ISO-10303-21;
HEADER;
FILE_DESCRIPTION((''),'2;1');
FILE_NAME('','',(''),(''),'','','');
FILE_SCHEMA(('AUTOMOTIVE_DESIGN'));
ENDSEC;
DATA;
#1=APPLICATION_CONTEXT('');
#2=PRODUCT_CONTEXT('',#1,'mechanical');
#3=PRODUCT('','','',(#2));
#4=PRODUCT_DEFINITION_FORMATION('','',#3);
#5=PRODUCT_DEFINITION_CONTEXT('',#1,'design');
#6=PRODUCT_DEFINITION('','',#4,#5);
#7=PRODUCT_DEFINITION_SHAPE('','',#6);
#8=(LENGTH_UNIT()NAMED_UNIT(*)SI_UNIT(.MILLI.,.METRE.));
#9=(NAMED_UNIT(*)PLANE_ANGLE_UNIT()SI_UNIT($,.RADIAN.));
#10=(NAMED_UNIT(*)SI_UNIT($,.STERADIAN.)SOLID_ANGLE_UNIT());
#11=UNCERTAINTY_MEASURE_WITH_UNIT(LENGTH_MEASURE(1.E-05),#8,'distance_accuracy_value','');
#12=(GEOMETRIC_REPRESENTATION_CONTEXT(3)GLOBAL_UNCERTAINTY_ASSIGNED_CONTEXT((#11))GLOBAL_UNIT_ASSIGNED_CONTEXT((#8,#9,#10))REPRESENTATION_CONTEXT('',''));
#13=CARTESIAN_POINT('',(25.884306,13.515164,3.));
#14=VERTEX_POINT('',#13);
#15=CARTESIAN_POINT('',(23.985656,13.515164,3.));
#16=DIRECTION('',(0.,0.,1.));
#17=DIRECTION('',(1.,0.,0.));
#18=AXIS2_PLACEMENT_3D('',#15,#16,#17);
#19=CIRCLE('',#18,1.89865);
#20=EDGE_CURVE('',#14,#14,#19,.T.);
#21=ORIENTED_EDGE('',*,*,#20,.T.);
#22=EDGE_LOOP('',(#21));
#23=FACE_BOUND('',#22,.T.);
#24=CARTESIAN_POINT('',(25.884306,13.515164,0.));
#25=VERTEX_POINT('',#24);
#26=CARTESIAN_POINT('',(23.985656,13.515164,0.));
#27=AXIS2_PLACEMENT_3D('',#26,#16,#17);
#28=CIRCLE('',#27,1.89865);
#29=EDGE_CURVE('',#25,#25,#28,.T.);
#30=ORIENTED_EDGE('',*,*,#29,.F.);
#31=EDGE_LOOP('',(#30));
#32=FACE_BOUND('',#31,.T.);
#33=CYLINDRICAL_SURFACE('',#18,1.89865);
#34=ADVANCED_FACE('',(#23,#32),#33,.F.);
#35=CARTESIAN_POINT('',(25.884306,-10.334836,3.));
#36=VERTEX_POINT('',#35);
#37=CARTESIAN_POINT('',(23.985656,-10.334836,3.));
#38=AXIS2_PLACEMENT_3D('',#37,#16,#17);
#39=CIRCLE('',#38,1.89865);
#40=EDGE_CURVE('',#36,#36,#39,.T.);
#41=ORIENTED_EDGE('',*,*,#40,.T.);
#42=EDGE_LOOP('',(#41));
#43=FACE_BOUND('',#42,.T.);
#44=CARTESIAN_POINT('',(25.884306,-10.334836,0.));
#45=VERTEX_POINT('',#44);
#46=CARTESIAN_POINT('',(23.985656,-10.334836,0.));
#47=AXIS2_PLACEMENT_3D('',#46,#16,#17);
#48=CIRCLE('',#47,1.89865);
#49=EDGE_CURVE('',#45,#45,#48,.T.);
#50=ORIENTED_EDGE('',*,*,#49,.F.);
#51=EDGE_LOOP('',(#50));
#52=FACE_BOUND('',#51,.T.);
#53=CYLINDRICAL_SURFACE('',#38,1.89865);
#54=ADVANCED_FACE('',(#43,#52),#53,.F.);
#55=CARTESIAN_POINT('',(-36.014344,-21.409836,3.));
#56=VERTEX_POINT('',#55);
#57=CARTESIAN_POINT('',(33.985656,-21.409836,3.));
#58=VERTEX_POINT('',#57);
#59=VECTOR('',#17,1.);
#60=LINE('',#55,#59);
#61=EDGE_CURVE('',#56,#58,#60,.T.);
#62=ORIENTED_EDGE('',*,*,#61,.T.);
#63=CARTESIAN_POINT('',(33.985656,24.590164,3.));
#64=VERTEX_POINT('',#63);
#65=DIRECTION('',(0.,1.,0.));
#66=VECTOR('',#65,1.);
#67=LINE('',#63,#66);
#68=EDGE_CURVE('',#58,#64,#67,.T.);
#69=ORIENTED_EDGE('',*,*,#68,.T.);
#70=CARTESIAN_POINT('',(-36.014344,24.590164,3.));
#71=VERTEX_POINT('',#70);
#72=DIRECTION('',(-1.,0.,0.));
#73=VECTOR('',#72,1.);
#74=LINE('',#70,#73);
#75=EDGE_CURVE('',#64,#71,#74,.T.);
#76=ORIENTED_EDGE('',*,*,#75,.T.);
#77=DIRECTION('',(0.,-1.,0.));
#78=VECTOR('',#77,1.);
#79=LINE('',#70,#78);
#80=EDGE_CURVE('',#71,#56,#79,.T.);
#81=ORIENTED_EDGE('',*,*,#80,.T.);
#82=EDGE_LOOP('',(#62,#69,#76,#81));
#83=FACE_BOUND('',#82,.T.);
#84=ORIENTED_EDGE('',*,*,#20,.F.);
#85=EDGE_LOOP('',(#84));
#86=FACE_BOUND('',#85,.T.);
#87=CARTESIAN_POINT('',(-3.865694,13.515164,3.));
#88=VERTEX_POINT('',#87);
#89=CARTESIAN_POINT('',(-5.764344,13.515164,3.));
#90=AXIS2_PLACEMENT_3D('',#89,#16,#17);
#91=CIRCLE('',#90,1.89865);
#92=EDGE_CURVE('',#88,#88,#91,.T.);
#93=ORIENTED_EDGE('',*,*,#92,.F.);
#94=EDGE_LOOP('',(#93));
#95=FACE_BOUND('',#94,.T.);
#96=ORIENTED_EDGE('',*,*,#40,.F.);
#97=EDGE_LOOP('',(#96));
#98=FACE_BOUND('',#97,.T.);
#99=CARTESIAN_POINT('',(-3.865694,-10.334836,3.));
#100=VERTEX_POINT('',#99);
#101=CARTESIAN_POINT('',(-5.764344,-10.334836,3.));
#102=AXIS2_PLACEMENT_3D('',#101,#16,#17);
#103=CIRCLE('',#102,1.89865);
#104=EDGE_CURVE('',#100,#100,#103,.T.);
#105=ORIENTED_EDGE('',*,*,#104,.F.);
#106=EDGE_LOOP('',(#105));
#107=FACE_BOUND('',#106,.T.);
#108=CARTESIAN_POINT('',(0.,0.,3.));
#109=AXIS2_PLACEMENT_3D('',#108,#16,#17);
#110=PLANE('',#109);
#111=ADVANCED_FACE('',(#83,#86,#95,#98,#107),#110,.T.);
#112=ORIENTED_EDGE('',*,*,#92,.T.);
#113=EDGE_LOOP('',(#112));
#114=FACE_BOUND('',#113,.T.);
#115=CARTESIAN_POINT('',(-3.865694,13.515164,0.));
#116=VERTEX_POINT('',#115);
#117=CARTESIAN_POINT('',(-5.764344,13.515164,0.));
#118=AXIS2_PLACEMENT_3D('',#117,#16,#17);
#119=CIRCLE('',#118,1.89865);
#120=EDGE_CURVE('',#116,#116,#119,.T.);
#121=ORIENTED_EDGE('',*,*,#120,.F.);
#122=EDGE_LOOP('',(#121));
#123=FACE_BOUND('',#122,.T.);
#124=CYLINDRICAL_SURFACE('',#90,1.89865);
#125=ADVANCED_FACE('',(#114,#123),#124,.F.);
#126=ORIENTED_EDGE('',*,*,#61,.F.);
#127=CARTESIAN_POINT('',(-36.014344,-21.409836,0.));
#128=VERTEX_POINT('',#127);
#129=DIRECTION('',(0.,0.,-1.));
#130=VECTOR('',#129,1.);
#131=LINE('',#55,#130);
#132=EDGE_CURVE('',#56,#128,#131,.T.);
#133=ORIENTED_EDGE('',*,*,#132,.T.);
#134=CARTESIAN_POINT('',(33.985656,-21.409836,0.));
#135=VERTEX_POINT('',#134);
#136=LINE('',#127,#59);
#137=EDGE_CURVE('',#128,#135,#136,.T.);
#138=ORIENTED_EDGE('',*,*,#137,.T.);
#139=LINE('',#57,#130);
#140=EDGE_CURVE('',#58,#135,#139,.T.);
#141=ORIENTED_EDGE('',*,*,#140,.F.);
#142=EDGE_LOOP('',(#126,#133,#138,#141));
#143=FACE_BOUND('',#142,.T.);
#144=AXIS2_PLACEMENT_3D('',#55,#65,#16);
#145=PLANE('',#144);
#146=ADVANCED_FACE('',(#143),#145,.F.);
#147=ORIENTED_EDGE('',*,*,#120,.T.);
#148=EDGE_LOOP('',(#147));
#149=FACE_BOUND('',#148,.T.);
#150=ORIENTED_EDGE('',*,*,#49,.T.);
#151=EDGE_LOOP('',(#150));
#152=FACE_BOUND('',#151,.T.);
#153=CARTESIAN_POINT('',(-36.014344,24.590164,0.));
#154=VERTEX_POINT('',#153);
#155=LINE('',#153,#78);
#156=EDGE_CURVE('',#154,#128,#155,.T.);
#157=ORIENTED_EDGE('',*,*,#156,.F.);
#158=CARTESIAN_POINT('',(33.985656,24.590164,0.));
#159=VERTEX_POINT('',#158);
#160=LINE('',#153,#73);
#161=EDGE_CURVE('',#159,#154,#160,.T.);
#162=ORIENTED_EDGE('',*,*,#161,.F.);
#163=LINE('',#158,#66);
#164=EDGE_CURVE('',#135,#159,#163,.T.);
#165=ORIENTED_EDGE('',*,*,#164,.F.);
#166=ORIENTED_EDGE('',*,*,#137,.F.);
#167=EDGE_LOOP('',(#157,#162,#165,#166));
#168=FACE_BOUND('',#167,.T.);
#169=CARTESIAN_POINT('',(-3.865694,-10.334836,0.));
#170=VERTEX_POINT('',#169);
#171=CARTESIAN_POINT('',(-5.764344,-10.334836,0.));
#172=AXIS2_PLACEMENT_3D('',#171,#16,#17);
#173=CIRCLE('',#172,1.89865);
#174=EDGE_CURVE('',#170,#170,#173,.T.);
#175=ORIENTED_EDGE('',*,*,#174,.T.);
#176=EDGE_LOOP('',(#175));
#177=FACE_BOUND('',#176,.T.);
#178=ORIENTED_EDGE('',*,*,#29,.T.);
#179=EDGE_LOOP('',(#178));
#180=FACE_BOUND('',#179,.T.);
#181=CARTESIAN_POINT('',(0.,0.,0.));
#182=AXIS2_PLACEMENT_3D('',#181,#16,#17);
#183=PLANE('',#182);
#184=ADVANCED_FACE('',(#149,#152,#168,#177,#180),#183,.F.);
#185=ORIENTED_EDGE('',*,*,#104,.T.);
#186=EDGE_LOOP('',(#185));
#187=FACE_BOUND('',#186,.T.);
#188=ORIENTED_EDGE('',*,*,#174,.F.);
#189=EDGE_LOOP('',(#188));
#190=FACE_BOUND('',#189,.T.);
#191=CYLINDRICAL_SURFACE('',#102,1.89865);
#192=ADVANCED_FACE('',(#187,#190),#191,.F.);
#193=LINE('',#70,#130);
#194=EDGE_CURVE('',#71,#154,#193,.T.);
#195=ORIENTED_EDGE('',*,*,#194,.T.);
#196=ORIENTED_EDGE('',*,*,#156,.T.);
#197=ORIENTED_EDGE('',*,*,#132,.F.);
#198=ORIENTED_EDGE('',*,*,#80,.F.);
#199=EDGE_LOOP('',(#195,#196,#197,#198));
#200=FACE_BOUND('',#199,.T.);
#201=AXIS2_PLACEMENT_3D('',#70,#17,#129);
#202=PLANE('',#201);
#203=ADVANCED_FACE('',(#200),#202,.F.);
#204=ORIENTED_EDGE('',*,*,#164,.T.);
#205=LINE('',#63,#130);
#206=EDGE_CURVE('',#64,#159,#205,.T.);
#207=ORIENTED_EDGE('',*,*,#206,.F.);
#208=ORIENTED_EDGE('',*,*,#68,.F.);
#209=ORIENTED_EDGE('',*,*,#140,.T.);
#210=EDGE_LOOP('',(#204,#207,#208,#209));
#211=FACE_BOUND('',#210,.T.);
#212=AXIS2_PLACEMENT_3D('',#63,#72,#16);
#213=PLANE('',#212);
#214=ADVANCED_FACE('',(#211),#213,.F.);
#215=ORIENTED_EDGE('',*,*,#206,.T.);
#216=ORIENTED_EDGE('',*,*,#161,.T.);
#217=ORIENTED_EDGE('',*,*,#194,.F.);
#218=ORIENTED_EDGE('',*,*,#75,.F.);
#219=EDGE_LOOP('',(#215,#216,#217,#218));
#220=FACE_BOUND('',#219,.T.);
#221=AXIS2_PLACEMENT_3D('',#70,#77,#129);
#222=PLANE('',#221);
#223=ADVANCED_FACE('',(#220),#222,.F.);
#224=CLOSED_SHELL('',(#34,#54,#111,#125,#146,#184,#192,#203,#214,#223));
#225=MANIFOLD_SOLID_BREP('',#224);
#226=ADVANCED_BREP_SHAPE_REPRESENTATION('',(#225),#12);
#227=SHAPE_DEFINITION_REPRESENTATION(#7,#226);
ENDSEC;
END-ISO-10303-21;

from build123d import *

# Parameters (mm, degrees)
SKETCH1_W             = 70
SKETCH1_H             = 46
BOSS_EXTRUDE1_DEPTH   = 3
F_6_CLEARANCE_HOLE1_D = 3.7973


with BuildPart() as part:
    # Sketch1 → Boss-Extrude1 (new body)
    with BuildSketch(Plane.XY):
        with Locations((-1.014344262, 1.590163934)):
            Rectangle(SKETCH1_W, SKETCH1_H)
    extrude(amount=BOSS_EXTRUDE1_DEPTH)

    # #6 Clearance Hole1 (through all)
    with Locations(Plane.XY.offset(3)):
        with Locations((23.985655738, 13.515163934), (23.985655738, -10.334836066), (-5.764344262, -10.334836066), (-5.764344262, 13.515163934)):
            Hole(F_6_CLEARANCE_HOLE1_D / 2)


solid = part.part
